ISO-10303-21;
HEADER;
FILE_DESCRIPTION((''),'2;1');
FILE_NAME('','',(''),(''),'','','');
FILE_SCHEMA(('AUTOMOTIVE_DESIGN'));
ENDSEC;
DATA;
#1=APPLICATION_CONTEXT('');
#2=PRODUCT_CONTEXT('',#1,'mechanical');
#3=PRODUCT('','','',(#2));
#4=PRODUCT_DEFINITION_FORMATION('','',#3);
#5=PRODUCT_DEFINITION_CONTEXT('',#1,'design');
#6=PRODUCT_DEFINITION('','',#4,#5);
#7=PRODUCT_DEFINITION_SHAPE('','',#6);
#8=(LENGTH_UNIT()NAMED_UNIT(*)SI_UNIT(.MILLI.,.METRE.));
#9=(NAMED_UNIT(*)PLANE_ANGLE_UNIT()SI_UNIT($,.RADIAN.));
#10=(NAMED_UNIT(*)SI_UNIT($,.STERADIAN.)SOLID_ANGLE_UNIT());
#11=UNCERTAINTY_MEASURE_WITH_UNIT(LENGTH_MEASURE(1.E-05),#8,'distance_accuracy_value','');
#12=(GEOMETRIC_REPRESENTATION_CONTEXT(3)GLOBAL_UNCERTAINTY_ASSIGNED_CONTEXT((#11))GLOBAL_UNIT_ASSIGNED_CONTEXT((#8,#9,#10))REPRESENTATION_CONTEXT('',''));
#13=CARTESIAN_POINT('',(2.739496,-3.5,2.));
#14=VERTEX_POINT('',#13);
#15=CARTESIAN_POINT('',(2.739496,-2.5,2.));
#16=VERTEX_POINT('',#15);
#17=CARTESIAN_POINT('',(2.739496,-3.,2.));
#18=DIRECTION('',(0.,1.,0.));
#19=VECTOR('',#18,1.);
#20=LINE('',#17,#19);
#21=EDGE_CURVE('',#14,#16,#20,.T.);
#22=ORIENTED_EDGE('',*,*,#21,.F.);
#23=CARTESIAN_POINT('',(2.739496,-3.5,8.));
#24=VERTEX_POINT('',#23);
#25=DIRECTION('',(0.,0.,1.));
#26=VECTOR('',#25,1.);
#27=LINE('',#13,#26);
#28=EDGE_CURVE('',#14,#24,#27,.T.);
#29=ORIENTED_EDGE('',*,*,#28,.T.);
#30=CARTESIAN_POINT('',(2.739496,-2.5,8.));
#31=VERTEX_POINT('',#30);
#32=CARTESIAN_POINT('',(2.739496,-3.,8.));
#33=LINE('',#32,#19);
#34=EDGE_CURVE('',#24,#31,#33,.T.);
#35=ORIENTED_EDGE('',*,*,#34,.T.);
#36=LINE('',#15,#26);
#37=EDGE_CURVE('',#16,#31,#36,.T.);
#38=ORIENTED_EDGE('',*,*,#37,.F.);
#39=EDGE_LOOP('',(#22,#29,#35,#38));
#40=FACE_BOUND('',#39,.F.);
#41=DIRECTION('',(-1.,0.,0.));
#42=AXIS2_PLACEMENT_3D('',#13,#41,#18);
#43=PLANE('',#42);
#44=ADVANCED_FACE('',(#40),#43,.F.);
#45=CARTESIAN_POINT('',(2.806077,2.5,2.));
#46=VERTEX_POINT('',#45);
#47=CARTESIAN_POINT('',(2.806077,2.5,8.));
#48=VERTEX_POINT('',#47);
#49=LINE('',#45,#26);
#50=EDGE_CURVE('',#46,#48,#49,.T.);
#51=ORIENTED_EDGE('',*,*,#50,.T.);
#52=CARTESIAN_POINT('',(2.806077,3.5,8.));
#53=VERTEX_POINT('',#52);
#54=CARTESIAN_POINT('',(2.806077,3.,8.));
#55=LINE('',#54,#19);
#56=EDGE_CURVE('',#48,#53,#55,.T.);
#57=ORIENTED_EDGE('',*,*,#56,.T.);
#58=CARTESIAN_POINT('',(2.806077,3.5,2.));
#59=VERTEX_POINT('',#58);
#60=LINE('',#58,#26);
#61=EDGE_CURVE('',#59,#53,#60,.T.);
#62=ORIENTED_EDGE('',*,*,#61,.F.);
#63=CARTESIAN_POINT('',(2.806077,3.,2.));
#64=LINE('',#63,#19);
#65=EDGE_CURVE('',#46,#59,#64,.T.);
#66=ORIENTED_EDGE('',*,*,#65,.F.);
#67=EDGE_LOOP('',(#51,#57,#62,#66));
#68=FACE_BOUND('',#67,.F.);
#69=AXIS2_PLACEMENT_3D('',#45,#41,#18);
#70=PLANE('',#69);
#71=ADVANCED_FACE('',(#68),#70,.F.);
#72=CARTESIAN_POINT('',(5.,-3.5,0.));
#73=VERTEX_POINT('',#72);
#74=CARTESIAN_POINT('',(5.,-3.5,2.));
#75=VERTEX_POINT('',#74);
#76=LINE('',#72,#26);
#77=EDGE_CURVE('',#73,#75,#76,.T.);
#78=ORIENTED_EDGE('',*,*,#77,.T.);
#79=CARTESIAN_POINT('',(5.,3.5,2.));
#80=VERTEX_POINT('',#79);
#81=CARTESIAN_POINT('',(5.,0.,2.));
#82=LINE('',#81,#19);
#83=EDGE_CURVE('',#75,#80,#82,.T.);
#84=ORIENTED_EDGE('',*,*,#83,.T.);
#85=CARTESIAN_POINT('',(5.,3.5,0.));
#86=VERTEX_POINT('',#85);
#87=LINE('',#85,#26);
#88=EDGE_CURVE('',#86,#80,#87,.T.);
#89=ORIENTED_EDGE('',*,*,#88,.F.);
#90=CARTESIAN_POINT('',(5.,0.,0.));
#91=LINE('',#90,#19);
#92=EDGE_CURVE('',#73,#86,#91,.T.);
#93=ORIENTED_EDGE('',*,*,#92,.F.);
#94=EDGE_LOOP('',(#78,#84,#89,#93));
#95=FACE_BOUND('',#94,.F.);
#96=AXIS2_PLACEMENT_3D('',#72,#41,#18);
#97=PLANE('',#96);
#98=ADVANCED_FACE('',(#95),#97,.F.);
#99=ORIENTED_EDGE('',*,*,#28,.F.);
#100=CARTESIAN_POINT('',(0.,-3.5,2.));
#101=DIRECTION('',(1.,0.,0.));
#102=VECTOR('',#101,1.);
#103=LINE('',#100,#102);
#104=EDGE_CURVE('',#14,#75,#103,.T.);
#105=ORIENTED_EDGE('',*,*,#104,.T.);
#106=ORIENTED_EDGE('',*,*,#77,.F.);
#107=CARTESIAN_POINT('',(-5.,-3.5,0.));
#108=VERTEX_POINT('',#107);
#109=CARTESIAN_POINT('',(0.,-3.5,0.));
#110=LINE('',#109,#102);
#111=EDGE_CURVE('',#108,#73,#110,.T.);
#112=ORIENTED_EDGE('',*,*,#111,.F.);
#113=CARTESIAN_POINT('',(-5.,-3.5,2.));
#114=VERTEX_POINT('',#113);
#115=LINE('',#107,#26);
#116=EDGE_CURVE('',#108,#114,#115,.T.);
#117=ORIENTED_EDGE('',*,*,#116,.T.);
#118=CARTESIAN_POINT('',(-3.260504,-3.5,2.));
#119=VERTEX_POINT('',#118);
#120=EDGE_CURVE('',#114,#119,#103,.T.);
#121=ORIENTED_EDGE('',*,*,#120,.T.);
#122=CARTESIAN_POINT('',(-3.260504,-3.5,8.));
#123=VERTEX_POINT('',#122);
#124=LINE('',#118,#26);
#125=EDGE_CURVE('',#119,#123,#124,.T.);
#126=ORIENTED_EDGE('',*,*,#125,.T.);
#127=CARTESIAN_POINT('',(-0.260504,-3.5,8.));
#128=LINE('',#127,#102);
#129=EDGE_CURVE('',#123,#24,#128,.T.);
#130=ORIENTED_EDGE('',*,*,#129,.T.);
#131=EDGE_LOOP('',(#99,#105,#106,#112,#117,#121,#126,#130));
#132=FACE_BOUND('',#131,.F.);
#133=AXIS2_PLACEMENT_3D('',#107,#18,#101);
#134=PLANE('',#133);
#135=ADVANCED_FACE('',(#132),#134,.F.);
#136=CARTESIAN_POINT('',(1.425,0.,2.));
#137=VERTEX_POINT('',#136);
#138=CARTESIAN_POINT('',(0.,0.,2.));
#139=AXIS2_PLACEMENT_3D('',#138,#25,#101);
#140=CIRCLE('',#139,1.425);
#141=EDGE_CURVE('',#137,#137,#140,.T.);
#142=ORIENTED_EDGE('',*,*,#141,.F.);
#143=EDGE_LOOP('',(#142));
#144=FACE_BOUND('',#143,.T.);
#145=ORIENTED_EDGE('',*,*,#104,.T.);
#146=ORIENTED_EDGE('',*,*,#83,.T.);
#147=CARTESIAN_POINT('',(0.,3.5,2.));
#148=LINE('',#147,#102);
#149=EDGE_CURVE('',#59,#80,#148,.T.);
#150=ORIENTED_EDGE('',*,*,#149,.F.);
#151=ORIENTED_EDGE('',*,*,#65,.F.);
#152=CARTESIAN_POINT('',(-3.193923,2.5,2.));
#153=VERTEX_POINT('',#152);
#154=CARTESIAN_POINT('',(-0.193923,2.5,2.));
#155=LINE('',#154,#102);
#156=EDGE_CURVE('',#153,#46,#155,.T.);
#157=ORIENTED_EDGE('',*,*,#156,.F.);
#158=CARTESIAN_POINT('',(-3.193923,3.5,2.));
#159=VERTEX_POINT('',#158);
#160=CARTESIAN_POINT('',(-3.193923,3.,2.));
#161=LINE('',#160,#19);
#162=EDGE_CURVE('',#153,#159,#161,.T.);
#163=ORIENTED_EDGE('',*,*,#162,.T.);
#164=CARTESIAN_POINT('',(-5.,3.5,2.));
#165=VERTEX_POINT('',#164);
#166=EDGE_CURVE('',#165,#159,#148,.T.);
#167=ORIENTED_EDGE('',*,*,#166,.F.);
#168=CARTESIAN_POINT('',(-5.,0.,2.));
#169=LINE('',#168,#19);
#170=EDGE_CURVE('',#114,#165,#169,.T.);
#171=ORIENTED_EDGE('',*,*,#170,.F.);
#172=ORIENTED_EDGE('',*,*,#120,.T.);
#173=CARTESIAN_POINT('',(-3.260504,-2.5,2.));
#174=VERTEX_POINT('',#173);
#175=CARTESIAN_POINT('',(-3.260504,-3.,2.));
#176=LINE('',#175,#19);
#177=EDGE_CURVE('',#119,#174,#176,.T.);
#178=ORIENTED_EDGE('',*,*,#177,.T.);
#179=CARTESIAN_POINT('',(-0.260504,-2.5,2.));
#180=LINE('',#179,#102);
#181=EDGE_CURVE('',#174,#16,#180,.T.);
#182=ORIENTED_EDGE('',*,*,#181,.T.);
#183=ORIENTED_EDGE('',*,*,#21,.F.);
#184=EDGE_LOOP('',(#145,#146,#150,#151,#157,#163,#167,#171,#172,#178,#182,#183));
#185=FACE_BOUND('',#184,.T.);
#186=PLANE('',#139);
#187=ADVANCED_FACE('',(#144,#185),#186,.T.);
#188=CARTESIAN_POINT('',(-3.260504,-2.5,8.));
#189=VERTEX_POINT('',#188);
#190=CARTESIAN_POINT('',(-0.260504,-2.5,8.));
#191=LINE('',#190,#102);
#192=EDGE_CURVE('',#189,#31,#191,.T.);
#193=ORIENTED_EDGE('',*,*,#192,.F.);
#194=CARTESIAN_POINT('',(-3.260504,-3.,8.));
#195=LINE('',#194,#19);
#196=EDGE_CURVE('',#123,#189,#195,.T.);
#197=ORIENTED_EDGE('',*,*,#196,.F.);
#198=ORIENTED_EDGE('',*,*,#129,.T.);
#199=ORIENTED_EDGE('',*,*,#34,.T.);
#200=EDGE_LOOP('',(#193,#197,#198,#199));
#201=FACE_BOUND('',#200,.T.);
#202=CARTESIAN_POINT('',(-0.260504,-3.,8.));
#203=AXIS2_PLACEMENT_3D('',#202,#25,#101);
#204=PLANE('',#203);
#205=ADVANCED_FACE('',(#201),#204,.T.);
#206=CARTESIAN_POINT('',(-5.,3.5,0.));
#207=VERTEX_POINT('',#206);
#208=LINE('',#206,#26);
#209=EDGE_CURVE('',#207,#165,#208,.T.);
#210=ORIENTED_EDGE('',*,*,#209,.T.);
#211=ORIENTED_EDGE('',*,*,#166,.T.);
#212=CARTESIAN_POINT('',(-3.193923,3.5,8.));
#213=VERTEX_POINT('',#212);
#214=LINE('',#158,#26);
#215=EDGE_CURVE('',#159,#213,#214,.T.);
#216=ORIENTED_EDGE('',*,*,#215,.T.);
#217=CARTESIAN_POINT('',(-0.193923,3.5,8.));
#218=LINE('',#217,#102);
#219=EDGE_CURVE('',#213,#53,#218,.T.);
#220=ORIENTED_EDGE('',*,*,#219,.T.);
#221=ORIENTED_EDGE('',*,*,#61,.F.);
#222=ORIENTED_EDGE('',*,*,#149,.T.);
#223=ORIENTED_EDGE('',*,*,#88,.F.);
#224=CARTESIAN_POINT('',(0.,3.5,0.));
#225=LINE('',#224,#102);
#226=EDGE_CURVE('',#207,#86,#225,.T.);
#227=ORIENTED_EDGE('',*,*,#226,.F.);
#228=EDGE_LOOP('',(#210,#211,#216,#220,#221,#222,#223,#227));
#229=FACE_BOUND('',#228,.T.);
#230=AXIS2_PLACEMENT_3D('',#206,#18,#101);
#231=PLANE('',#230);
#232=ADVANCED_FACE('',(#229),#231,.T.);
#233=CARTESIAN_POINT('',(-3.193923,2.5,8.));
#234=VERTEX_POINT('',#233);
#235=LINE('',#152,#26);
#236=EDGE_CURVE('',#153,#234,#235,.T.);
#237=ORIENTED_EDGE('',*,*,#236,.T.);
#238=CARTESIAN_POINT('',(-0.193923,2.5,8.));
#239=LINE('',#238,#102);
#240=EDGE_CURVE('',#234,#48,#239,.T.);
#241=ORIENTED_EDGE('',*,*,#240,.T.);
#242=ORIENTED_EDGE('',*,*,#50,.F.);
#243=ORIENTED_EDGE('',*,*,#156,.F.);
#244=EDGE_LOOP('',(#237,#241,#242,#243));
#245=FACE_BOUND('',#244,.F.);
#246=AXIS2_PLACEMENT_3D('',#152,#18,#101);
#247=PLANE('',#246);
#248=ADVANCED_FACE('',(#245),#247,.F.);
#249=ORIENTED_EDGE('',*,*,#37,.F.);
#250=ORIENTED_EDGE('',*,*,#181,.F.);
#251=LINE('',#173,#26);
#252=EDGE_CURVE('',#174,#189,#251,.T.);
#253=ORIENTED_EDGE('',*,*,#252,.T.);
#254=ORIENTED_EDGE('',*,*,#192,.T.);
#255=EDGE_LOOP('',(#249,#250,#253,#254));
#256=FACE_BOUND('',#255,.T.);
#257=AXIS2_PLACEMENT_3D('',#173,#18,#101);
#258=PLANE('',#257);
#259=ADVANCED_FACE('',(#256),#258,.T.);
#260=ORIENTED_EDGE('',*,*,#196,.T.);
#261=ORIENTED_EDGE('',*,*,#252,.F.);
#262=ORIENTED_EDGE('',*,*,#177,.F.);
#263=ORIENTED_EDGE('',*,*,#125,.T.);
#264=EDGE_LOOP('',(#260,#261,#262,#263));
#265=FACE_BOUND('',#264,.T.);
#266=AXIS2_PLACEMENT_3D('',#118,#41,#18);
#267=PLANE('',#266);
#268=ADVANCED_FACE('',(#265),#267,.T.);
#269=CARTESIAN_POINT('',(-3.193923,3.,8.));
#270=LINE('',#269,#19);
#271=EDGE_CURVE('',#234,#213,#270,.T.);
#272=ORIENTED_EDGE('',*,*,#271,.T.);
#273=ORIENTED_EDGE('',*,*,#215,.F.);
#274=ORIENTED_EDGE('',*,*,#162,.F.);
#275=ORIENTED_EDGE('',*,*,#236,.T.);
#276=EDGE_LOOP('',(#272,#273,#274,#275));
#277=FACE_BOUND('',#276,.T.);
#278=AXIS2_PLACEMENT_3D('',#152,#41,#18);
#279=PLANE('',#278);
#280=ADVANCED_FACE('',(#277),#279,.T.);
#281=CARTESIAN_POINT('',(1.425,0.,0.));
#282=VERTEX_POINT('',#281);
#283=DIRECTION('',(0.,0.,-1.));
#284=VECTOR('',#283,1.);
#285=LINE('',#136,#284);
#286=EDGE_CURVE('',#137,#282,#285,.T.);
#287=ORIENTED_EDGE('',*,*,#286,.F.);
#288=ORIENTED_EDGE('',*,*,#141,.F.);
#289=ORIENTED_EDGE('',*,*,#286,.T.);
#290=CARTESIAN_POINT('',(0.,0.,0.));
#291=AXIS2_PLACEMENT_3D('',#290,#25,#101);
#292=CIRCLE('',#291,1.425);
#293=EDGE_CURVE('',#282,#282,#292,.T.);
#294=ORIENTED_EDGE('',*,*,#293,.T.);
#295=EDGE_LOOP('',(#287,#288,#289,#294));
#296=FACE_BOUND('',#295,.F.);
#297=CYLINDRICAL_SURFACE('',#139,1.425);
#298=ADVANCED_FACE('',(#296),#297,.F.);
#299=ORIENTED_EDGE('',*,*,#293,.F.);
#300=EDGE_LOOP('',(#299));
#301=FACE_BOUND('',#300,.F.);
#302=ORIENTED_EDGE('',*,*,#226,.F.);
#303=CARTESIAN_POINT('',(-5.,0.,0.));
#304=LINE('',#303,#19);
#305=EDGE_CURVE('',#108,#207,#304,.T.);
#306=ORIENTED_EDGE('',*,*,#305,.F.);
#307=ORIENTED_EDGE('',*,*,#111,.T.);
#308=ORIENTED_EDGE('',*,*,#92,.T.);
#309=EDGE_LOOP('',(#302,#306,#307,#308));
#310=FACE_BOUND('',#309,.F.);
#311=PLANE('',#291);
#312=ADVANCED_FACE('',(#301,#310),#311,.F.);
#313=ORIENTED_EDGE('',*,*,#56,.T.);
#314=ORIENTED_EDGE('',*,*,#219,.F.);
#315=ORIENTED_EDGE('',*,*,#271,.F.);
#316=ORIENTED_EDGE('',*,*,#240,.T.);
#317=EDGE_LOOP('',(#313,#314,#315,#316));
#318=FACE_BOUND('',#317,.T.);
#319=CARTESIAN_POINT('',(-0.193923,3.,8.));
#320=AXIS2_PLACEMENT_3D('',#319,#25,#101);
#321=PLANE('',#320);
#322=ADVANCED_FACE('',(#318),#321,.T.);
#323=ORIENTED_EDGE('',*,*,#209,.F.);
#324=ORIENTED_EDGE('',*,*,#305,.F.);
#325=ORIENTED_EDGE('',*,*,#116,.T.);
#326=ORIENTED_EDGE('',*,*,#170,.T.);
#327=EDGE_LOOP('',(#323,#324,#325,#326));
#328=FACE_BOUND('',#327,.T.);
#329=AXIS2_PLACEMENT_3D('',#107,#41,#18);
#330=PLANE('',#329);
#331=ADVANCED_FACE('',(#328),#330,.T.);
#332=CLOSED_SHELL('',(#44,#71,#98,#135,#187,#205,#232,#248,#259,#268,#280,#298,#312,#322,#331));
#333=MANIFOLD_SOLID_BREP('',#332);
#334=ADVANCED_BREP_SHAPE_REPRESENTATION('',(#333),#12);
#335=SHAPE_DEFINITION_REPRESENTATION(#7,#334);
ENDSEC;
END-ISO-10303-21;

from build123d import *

# Parameters (mm, degrees)
SKETCH1_W           = 10
SKETCH1_H           = 7
BOSS_EXTRUDE1_DEPTH = 2
SKETCH2_W           = 6
SKETCH2_H           = 1
BOSS_EXTRUDE2_DEPTH = 6
SKETCH3_R           = 1.425
CUT_EXTRUDE1_DEPTH  = 6


with BuildPart() as part:
    # Sketch1 → Boss-Extrude1 (new body)
    with BuildSketch(Plane.XY):
        Rectangle(SKETCH1_W, SKETCH1_H)
    extrude(amount=BOSS_EXTRUDE1_DEPTH)

    # Sketch2 → Boss-Extrude2 (add)
    with BuildSketch(Plane.XY.offset(2)):
        with Locations((-0.193923398, 3)):
            Rectangle(SKETCH2_W, SKETCH2_H)
        with Locations((-0.260503556, -3)):
            Rectangle(SKETCH2_W, SKETCH2_H)
    extrude(amount=BOSS_EXTRUDE2_DEPTH)

    # Sketch3 → Cut-Extrude1 (cut)
    with BuildSketch(Plane.XY.offset(2)):
        Circle(SKETCH3_R)
    extrude(amount=-CUT_EXTRUDE1_DEPTH, mode=Mode.SUBTRACT)


solid = part.part
